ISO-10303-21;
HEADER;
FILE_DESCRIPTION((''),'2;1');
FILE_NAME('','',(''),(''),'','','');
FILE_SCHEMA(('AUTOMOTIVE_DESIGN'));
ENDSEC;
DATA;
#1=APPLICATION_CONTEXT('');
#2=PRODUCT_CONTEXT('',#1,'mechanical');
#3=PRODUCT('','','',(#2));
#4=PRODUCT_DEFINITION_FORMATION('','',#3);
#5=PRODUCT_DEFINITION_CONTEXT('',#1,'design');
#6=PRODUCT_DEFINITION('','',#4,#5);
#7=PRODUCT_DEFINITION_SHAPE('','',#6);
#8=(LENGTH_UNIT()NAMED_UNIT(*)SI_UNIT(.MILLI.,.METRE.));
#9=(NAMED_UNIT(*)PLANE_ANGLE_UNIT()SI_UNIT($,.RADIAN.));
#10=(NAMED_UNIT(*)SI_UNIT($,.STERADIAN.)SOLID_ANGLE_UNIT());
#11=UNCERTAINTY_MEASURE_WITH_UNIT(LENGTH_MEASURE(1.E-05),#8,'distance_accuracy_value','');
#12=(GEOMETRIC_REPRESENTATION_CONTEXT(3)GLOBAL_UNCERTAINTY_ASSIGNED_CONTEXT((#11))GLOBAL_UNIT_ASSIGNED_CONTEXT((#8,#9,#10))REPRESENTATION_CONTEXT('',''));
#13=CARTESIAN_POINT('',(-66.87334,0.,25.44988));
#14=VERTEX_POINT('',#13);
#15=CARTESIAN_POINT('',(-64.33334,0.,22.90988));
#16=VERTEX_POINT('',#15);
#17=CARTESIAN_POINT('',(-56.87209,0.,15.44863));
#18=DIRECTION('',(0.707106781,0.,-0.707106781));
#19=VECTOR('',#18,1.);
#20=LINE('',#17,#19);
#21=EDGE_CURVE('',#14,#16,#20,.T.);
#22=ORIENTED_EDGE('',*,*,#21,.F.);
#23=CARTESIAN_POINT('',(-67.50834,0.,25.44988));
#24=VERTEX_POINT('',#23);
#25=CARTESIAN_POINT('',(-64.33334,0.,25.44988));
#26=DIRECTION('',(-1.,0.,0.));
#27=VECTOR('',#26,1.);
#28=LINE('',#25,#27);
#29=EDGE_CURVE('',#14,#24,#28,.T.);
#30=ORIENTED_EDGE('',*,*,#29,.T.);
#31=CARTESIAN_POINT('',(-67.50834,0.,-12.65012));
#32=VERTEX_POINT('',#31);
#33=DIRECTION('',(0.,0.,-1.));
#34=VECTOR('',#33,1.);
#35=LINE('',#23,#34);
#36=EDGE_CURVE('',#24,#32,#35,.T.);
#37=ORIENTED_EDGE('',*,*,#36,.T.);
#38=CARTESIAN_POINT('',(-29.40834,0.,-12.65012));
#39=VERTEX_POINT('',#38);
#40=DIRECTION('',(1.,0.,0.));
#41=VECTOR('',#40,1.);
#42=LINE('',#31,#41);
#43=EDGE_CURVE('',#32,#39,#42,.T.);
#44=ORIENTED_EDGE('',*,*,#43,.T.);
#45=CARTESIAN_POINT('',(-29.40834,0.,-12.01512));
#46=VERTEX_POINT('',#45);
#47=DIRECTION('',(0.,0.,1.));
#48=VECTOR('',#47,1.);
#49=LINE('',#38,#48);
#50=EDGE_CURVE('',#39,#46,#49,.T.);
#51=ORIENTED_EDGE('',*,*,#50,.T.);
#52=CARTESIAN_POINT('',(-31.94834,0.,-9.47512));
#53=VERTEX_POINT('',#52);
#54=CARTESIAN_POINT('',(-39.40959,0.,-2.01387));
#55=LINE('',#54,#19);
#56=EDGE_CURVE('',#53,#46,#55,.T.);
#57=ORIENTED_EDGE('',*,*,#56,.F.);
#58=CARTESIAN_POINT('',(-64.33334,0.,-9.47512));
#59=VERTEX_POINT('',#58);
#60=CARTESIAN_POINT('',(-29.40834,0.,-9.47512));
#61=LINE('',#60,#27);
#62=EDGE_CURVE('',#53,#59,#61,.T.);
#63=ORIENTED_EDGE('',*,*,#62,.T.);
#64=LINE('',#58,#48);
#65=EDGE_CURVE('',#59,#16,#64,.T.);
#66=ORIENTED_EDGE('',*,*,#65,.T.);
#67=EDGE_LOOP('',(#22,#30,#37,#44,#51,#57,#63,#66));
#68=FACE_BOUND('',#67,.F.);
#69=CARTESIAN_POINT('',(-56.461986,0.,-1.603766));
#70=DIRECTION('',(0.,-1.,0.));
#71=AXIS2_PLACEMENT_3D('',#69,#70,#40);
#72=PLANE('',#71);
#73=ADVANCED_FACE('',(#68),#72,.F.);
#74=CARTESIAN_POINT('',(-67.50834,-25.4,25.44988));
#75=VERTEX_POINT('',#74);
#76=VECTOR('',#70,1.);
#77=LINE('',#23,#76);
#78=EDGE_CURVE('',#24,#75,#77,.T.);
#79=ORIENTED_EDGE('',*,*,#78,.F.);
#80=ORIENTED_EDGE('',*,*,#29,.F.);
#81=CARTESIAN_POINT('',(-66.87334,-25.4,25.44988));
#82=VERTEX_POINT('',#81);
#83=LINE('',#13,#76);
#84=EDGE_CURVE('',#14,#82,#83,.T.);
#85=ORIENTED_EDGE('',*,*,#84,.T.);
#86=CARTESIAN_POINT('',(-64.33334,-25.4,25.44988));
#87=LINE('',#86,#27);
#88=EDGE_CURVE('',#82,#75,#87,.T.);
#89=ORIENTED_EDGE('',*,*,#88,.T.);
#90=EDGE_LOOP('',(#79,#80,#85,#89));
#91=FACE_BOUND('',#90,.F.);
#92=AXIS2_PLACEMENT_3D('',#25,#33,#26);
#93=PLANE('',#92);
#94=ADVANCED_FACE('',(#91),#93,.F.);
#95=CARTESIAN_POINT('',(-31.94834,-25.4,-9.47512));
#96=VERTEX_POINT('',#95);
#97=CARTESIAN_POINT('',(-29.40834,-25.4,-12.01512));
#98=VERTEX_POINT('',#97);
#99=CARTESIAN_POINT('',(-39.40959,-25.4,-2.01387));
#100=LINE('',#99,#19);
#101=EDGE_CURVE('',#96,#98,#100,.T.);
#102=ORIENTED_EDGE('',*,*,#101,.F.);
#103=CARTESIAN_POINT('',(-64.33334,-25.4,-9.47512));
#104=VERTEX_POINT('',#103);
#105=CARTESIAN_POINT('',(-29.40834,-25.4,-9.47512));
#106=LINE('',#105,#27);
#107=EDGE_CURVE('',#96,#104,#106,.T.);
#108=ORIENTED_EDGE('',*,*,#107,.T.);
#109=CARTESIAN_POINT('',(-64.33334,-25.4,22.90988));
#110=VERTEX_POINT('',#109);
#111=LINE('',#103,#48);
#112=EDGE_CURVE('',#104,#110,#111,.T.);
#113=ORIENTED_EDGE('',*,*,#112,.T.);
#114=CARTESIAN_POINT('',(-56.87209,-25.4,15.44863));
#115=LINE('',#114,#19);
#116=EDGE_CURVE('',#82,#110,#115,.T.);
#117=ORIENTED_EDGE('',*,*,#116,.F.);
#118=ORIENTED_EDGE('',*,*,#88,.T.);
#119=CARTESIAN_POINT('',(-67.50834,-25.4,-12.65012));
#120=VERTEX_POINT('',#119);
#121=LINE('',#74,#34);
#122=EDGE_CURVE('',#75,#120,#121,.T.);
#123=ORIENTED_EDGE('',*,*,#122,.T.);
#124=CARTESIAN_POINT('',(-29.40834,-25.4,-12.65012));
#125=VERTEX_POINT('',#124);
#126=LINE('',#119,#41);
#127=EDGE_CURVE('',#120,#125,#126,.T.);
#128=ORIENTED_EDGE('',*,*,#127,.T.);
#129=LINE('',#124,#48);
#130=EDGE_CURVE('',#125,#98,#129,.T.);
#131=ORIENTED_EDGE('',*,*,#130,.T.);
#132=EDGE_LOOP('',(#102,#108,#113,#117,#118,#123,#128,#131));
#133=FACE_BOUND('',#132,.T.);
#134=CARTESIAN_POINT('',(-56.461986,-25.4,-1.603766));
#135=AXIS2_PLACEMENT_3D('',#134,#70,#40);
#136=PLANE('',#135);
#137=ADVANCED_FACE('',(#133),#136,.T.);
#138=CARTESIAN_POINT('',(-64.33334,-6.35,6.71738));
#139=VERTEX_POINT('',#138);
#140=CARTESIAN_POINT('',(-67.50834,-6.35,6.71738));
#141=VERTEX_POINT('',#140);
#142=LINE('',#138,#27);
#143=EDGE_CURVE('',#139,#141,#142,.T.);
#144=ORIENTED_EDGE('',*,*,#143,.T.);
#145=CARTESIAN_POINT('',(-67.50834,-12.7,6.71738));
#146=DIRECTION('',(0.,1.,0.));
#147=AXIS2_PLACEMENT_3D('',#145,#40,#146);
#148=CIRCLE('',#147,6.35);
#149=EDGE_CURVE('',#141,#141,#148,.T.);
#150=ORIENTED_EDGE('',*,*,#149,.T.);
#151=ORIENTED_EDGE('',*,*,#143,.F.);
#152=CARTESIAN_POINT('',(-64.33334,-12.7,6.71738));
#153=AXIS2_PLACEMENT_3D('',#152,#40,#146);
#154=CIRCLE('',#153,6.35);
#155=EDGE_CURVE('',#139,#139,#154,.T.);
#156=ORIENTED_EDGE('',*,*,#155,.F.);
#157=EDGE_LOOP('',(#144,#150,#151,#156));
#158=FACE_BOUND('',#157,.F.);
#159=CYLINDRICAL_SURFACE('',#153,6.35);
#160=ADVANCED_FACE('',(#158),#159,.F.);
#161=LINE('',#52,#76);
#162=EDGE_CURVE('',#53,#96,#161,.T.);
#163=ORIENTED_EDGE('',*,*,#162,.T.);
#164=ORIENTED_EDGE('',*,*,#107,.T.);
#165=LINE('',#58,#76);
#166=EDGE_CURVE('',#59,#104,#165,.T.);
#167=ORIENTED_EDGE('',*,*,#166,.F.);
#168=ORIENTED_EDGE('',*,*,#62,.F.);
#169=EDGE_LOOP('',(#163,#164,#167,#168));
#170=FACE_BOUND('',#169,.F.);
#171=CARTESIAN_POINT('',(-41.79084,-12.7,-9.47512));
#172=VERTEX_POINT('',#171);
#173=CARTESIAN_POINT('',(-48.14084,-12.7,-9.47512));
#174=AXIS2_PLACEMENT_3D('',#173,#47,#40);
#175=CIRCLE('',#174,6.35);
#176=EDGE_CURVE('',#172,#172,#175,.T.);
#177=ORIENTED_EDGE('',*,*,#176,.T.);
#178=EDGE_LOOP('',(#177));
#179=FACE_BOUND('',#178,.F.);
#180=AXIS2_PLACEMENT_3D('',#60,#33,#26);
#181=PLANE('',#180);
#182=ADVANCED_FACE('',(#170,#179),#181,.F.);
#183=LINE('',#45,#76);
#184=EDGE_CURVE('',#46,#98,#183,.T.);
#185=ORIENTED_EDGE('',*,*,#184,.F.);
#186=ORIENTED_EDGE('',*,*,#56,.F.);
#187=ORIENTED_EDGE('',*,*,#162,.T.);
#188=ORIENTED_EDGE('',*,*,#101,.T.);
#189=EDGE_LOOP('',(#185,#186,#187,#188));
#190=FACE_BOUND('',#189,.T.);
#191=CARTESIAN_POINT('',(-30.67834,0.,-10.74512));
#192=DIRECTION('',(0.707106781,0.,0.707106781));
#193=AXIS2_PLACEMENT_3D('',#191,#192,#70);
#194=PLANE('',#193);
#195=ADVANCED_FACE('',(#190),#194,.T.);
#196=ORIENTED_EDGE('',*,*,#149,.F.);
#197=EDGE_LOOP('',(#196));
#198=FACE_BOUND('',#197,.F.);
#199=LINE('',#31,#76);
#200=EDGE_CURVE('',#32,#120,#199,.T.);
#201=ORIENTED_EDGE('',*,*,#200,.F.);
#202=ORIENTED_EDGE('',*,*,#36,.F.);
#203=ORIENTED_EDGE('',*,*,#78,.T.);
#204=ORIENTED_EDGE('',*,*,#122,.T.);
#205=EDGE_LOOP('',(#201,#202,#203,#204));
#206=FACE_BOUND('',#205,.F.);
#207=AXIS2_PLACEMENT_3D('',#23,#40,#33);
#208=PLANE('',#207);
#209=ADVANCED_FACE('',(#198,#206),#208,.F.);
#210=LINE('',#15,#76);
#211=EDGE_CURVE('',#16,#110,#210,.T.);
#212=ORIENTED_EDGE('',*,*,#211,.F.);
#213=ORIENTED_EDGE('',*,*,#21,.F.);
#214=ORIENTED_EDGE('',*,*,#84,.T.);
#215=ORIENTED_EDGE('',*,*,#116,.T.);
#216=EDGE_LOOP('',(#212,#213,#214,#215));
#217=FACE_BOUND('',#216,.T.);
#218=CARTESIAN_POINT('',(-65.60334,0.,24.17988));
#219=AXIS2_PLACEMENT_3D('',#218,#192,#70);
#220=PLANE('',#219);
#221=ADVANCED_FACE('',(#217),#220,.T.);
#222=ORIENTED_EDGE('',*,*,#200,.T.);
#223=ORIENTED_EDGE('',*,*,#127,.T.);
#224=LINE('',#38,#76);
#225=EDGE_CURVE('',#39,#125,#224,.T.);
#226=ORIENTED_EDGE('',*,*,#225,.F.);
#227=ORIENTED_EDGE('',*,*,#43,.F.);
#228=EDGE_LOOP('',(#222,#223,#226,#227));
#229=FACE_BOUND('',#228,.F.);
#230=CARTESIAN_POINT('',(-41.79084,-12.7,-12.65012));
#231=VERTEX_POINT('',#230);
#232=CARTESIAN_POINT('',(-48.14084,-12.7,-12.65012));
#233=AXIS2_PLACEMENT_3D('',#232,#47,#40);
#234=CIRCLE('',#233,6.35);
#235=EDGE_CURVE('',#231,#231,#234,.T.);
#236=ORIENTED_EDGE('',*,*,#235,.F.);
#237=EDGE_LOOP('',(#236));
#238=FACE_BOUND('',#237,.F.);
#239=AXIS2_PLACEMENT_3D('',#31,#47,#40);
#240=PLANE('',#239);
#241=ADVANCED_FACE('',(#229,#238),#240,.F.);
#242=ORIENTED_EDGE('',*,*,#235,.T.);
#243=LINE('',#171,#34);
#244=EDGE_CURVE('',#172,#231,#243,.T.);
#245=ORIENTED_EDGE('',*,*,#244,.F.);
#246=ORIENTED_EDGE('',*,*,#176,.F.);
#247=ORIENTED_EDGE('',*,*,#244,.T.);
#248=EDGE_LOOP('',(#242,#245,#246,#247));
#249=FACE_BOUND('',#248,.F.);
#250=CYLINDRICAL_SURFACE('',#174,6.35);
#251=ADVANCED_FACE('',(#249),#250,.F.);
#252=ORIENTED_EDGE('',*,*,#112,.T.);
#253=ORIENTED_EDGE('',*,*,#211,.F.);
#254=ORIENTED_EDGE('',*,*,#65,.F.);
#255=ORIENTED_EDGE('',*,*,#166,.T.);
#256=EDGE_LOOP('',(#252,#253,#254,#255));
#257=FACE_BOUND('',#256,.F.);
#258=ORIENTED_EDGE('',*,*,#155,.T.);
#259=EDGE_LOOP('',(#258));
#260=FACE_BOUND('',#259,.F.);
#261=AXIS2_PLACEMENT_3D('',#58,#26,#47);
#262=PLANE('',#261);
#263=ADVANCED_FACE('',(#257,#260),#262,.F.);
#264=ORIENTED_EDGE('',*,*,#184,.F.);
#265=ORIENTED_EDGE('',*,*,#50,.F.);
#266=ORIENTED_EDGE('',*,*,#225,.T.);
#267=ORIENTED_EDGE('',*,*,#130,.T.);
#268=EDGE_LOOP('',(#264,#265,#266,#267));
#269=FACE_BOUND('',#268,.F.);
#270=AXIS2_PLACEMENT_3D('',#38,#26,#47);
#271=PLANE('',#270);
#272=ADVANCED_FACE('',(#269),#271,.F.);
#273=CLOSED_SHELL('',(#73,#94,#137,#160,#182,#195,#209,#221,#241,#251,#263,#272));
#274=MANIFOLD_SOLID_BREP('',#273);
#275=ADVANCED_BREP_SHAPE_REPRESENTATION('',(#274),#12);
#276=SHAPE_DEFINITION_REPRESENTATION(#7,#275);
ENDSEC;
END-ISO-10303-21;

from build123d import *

# Parameters (mm, degrees)
F1_DEPTH = 25.4
F2_SIZE  = 2.54
F3_SIZE  = 2.54
F4_R     = 6.35
F6_DEPTH = 3.176
F5_R     = 6.35
F7_DEPTH = 3.176


with BuildPart() as f1:
    # F0 (on Front) → F1 (new body)
    with BuildSketch(Plane.XZ):
        Polygon((-64.33334, 25.44988), (-67.50834, 25.44988), (-67.50834, -12.65012), (-29.40834, -12.65012), (-29.40834, -9.47512), (-64.33334, -9.47512), align=None)
    extrude(amount=F1_DEPTH)

    # F2
    f2_edges = [f1.edges().sort_by_distance(p)[0] for p in [
        (-64.33334, -12.7, 25.44988),
    ]]
    chamfer(f2_edges, length=F2_SIZE)

    # F3
    f3_edges = [f1.edges().sort_by_distance(p)[0] for p in [
        (-29.40834, -12.7, -9.47512),
    ]]
    chamfer(f3_edges, length=F3_SIZE)

    # F4 (on face) → F6 (cut, through all)
    with BuildSketch(Plane.YZ.offset(-64.33334)):
        with Locations((-12.7, 6.71738)):
            Circle(F4_R)
    extrude(amount=-F6_DEPTH, mode=Mode.SUBTRACT)

    # F5 (on face) → F7 (cut, through all)
    with BuildSketch(Plane.XY.offset(-9.47512)):
        with Locations((-48.14084, -12.7)):
            Circle(F5_R)
    extrude(amount=-F7_DEPTH, mode=Mode.SUBTRACT)


solid = f1.part
